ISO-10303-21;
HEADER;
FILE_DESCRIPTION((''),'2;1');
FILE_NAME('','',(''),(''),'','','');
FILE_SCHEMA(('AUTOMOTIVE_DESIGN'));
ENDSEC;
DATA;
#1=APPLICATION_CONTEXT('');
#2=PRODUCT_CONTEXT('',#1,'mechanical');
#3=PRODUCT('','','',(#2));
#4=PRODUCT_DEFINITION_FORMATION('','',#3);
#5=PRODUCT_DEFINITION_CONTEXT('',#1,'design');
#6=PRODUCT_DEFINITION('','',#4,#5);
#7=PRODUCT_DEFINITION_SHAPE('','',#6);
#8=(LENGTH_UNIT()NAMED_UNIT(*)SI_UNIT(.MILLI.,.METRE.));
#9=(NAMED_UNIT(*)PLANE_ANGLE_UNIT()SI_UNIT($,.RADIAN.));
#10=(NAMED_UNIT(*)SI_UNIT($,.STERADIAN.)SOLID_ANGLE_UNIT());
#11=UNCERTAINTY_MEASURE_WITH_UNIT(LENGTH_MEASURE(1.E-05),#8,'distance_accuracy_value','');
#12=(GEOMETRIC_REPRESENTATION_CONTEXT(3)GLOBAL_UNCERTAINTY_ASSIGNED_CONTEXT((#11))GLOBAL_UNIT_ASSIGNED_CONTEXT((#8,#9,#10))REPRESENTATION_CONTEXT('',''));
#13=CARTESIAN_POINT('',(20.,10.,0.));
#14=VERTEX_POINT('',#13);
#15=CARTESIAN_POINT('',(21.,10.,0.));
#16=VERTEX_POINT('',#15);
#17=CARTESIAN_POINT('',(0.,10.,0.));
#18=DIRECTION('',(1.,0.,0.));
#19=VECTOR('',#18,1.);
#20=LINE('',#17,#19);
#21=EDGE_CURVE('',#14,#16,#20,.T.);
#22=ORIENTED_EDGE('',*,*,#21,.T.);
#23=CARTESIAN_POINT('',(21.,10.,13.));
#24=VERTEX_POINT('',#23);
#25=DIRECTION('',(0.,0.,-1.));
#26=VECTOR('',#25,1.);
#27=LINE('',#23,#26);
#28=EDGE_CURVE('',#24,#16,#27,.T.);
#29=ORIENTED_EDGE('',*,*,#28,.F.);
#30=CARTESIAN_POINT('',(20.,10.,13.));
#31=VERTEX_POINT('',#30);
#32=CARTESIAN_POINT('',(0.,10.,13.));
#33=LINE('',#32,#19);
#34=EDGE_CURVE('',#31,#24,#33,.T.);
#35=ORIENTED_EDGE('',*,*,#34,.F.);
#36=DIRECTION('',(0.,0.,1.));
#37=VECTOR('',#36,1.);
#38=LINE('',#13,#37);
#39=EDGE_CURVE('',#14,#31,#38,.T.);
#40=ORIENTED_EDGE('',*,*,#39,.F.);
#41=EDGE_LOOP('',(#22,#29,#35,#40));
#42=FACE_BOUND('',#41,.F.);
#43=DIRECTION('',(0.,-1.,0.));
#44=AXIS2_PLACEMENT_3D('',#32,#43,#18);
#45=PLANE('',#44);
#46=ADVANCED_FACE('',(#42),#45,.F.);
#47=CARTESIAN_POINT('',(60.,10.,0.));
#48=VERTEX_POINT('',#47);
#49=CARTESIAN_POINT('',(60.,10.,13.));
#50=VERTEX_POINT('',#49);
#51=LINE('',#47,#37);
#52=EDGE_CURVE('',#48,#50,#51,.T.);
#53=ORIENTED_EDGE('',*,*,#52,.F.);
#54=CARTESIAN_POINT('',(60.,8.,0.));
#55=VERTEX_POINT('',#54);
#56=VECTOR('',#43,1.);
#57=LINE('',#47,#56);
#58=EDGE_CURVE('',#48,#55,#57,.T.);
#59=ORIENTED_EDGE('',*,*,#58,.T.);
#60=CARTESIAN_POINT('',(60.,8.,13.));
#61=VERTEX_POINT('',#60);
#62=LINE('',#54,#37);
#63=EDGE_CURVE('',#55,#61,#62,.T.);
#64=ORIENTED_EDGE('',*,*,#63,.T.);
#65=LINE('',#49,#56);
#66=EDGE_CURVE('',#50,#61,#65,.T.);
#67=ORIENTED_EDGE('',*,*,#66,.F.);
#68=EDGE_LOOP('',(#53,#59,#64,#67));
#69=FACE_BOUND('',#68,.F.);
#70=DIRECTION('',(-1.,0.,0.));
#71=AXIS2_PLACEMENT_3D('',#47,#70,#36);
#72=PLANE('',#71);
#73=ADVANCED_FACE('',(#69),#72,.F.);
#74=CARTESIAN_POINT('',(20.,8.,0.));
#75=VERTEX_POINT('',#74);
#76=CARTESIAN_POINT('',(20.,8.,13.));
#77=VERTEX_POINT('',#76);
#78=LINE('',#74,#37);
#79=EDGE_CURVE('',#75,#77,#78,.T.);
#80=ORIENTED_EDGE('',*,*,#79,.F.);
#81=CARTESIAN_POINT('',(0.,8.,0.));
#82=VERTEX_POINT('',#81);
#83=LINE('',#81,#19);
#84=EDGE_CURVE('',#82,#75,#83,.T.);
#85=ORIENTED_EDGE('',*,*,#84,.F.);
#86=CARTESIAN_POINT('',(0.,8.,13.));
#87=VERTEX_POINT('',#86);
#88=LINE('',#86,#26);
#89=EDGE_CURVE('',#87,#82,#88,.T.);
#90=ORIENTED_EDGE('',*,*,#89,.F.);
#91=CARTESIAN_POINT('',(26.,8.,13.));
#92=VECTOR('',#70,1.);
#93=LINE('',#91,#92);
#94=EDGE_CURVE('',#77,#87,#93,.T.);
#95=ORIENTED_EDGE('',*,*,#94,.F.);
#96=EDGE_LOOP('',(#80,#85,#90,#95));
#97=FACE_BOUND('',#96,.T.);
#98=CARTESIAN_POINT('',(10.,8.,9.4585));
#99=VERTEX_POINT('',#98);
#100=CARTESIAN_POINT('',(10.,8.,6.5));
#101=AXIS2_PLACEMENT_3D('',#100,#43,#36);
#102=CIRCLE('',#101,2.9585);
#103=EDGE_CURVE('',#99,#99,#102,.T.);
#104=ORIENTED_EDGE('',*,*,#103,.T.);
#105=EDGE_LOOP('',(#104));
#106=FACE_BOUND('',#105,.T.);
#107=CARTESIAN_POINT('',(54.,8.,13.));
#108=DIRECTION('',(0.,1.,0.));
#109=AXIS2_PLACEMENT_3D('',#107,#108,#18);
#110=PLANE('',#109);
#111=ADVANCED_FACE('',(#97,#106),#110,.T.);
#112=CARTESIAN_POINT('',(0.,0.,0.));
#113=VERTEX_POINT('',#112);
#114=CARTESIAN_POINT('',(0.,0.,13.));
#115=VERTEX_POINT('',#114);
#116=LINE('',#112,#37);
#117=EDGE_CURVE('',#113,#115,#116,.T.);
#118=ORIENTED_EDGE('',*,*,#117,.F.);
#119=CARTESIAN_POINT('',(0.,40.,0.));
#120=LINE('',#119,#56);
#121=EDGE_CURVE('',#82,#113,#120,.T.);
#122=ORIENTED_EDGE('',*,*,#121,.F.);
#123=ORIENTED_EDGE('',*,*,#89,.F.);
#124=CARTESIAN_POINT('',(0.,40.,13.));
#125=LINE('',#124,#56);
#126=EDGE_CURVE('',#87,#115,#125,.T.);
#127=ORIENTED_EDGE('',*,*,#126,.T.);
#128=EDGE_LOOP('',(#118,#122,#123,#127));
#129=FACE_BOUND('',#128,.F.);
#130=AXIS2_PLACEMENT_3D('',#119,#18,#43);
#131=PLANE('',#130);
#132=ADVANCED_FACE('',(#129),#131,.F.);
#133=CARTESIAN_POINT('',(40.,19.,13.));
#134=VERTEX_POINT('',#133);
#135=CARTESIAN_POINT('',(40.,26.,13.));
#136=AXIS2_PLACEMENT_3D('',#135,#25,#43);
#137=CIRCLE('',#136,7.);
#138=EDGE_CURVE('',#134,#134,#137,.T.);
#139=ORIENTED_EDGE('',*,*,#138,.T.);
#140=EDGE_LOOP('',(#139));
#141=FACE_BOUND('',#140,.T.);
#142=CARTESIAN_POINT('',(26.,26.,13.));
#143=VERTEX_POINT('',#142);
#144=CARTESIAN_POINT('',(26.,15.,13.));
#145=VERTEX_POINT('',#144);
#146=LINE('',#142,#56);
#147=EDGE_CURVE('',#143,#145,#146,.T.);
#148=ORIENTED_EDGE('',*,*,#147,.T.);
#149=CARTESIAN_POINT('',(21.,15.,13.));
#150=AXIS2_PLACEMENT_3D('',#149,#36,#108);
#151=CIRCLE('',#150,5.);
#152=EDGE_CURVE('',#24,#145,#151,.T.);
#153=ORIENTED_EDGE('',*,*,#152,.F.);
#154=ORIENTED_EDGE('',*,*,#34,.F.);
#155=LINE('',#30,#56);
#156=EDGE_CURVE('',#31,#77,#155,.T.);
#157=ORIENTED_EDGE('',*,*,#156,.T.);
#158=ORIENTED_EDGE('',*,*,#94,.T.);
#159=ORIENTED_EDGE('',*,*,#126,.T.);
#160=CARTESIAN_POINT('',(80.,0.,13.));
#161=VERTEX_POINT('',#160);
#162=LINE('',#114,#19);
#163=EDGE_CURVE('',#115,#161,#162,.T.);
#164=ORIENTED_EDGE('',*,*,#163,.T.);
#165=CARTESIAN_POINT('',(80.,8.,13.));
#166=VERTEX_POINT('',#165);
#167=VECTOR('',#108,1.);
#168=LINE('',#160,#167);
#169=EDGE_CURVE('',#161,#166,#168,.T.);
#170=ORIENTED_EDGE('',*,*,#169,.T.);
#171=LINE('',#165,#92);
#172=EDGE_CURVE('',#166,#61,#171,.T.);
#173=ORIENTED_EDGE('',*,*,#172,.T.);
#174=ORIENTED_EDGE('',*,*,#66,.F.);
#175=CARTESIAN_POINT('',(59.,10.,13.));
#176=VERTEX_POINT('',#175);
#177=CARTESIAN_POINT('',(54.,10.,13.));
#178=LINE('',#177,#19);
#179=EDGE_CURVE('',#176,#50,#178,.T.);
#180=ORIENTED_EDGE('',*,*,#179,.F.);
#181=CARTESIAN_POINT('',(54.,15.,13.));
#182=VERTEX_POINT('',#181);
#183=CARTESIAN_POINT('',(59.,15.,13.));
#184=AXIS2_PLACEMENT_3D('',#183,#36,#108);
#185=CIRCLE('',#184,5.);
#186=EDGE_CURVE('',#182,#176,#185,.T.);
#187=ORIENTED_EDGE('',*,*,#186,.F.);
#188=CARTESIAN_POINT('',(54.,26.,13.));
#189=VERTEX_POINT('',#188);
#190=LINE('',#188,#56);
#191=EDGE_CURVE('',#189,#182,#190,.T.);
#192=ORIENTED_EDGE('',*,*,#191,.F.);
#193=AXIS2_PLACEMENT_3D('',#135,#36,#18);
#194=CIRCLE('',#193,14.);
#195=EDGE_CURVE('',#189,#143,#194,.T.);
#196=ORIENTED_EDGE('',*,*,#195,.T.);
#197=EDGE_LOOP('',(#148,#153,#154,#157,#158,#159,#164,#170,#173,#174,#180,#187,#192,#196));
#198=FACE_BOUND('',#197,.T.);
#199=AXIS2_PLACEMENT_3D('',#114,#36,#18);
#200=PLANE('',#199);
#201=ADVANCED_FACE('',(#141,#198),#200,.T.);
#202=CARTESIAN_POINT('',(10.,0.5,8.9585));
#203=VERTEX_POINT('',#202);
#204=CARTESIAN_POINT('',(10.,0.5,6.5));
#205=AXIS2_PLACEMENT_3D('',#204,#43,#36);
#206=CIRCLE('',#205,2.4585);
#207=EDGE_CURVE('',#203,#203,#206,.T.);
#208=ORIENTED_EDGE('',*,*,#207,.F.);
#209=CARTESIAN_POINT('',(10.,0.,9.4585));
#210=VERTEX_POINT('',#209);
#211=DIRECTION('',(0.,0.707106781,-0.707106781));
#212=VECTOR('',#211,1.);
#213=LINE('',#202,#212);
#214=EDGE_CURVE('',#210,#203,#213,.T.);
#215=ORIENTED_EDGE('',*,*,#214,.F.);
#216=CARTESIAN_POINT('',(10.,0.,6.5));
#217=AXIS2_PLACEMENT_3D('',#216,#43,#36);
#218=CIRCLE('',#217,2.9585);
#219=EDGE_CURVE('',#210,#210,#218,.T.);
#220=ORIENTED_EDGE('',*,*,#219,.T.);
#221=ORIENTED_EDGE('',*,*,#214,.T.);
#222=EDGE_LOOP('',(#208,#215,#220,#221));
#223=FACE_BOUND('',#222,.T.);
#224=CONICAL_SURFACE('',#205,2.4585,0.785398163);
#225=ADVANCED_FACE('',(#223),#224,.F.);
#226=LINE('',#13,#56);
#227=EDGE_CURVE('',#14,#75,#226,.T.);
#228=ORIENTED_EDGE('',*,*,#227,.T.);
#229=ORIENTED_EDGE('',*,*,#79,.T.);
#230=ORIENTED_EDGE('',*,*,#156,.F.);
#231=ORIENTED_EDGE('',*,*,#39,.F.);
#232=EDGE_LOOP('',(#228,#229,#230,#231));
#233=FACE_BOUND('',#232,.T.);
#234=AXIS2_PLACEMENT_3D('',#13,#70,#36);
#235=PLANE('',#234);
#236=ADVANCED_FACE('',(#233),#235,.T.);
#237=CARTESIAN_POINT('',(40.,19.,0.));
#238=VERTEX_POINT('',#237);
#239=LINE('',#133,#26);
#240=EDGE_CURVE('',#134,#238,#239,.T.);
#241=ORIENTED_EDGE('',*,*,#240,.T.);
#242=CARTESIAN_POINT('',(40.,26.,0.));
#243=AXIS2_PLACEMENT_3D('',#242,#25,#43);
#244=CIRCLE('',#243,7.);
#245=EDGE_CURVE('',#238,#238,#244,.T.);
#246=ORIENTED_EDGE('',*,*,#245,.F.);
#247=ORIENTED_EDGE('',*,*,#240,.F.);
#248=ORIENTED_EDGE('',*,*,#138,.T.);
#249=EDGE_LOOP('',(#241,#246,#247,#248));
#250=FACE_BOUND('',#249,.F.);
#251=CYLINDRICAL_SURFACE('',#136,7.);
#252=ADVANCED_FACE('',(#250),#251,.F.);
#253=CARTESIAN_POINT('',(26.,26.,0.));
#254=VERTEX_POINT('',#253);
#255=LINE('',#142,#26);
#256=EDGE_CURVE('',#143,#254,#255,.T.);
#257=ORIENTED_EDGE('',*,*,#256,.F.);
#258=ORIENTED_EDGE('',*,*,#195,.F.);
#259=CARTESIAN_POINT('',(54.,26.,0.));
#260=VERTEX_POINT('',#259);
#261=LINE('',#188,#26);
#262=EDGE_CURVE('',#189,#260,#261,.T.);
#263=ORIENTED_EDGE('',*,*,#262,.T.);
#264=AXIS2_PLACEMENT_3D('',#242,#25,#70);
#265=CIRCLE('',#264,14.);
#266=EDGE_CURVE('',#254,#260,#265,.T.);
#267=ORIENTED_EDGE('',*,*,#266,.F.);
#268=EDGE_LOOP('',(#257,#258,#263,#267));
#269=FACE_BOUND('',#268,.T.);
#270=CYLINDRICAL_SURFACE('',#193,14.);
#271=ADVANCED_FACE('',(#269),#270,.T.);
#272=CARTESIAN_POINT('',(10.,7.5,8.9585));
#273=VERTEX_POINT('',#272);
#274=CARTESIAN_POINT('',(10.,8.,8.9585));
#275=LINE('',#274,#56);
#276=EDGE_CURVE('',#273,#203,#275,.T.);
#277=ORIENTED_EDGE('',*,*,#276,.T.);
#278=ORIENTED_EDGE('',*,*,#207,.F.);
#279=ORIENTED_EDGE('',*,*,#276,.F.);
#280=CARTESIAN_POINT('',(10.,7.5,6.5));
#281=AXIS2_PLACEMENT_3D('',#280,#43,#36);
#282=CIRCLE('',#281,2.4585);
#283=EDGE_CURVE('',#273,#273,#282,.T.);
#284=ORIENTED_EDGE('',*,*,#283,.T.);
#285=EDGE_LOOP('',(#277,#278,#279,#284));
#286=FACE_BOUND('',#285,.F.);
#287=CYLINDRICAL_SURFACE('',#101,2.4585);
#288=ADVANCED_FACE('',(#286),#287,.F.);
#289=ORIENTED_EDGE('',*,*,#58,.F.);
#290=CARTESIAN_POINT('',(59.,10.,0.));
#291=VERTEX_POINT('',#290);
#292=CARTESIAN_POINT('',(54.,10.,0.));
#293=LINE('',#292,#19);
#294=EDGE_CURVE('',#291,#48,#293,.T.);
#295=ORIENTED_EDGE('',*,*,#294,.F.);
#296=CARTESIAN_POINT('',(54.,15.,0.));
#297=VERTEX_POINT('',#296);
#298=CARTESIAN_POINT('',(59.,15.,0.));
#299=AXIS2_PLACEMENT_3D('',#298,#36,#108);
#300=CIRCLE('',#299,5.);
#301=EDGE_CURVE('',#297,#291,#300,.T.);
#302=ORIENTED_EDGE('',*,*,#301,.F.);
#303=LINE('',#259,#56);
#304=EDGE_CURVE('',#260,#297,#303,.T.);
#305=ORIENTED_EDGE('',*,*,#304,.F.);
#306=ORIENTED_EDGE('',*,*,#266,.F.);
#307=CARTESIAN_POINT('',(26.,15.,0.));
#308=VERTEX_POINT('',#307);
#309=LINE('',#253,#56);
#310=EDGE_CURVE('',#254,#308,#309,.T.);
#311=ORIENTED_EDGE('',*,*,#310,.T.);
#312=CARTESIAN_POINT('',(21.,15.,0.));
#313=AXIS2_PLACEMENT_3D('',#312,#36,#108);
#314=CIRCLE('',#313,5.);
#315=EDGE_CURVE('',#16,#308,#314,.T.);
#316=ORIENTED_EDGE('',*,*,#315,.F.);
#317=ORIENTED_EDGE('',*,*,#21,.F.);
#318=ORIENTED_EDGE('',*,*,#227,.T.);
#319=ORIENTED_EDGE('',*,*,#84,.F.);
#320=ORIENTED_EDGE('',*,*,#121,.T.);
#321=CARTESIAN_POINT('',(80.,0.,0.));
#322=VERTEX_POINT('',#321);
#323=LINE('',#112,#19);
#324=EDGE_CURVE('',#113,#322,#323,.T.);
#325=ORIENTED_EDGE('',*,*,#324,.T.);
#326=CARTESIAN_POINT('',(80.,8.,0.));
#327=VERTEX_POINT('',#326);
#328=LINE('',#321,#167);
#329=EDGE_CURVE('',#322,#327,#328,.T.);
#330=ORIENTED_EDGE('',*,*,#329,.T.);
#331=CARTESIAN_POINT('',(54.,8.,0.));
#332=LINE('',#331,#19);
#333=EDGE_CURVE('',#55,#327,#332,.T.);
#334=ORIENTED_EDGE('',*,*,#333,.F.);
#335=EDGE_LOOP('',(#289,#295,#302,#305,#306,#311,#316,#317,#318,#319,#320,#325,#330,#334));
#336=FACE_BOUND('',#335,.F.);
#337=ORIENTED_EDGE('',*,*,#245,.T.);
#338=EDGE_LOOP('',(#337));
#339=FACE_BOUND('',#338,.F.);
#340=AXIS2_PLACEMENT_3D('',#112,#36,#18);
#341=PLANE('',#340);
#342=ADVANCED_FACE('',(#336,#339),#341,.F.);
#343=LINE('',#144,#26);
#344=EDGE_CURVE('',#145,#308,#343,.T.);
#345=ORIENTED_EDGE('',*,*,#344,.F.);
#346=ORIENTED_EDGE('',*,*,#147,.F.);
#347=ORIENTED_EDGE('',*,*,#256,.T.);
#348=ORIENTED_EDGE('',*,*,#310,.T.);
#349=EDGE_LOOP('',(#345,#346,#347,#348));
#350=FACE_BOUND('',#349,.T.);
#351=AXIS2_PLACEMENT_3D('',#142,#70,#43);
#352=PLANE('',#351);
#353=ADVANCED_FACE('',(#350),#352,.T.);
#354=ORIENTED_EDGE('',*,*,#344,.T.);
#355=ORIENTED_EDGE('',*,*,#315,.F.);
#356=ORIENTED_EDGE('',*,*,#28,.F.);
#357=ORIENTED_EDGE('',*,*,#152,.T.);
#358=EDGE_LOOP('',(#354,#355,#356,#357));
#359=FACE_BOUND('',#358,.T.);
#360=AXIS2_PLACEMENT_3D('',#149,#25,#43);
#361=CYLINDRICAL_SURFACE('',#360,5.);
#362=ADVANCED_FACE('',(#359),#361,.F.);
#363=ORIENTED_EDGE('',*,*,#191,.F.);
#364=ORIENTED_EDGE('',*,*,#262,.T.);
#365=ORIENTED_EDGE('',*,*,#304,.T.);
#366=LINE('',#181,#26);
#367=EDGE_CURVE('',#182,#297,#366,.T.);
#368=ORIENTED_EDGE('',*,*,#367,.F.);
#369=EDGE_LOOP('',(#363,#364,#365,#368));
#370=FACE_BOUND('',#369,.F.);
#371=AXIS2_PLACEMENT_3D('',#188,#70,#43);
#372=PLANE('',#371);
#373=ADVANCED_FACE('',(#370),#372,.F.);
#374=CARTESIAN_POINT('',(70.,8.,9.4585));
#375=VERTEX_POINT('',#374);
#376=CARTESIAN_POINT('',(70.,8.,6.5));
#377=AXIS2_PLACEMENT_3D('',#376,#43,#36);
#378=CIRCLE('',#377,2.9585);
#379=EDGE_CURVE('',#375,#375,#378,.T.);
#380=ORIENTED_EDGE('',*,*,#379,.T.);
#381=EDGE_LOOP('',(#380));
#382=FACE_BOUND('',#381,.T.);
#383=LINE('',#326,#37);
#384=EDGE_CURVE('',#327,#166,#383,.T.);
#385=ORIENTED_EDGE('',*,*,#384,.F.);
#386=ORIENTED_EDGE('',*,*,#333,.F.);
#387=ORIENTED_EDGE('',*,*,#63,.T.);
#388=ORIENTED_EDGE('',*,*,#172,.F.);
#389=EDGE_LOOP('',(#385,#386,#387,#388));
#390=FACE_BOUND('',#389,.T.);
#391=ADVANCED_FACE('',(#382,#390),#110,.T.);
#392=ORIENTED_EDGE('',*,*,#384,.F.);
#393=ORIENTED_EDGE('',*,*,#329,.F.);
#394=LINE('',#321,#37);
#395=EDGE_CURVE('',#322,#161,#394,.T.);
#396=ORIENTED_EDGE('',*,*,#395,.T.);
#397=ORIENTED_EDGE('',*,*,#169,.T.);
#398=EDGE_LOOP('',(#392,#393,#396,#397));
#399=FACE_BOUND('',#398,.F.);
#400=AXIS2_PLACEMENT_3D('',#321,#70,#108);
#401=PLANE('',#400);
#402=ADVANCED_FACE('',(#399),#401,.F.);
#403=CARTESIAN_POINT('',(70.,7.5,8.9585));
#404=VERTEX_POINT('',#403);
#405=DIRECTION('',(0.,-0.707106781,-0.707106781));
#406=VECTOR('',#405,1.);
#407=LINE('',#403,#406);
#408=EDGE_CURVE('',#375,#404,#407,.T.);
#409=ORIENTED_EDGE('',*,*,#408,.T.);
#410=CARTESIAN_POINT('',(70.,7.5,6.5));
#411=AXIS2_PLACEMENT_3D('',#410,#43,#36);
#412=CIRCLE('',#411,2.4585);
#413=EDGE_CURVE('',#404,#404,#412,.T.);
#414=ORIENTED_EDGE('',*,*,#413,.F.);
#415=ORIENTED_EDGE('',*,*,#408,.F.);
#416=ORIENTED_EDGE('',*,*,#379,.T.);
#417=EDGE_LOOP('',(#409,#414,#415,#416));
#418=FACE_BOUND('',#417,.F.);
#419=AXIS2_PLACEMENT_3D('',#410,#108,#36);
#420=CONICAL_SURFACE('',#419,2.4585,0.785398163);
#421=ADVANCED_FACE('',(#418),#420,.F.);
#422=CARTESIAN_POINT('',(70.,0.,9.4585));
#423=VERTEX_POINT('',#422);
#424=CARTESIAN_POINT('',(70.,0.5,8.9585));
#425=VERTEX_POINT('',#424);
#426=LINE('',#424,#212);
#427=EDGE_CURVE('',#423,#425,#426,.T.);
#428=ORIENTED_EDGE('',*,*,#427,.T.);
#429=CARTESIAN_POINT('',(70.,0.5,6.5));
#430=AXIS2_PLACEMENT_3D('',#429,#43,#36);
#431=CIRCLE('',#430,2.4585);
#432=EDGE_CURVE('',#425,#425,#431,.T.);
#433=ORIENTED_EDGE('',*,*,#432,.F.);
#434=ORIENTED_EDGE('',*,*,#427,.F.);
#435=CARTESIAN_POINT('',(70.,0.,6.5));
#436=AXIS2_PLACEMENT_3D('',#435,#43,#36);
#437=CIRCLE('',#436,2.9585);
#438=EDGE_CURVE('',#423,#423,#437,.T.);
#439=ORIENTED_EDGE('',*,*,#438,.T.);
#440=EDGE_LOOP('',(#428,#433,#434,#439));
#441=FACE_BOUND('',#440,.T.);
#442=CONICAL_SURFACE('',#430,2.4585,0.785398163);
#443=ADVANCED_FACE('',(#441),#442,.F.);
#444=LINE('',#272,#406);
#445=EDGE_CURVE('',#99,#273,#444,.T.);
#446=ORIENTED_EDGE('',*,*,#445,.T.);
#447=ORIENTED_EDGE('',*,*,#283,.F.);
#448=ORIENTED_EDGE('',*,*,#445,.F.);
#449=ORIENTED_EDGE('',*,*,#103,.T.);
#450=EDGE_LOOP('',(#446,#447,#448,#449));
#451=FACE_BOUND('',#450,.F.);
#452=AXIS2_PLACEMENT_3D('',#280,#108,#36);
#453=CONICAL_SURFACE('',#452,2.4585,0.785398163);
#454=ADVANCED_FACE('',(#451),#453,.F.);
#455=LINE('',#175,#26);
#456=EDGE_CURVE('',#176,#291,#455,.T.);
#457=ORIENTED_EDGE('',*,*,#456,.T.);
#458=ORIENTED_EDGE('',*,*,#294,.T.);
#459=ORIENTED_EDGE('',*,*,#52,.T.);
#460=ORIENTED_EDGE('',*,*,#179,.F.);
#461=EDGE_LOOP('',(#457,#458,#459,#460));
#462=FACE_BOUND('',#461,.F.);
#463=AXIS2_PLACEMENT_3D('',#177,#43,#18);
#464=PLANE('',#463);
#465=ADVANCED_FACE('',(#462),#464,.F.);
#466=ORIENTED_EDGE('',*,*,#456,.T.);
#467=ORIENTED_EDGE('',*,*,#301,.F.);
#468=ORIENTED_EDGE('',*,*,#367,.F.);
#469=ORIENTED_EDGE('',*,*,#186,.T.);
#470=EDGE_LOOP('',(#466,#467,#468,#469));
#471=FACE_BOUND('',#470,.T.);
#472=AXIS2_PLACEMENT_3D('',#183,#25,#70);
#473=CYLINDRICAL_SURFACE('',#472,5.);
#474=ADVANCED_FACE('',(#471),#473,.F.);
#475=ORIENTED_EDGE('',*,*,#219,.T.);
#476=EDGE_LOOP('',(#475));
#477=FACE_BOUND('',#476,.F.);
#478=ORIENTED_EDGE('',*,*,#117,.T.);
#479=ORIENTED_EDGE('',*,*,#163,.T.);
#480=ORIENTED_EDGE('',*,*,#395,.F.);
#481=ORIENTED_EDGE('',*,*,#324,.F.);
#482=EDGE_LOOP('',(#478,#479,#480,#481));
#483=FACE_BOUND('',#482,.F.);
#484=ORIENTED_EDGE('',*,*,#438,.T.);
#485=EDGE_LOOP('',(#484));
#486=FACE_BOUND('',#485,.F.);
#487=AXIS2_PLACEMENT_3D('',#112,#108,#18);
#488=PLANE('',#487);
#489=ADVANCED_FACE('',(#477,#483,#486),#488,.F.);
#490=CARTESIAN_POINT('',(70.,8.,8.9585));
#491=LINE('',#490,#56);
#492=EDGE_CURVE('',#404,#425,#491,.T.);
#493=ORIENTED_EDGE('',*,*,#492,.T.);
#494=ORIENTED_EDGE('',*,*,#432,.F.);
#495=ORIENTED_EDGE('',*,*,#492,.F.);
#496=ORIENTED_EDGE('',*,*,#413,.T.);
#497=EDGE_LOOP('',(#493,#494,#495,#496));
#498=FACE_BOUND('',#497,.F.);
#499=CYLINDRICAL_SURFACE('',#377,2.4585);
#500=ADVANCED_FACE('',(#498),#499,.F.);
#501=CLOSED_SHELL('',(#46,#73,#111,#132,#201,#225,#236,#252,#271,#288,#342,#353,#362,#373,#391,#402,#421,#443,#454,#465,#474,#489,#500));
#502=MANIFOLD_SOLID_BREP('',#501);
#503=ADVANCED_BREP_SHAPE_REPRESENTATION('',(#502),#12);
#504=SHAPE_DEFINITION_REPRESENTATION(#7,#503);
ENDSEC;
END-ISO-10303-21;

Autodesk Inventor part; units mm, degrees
ref_plane "YZ Plane" through (0, 0, 0) normal (1, 0, 0) x (0, 1, 0)
ref_plane "XZ Plane" through (0, 0, 0) normal (0, 1, 0) x (-1, 0, 0)
ref_plane "XY Plane" through (0, 0, 0) normal (0, 0, 1) x (1, 0, 0)
sketch "Sketch1" plane through (0, 0, 0) normal (0, 0, 1) x (1, 0, 0)
  line L0 (0, 0) -> (80, 0)
  line L1 (80, 0) -> (80, 40)
  line L2 (80, 40) -> (0, 40)
  line L3 (0, 40) -> (0, 0)
  dimension "d0" = 80
  dimension "d1" = 40
extrude "Extrusion1" add sketch "Sketch1" along normal blind 13
sketch "Sketch2" plane through (0, 0, 13) normal (0, 0, 1) x (1, 0, 0)
  line L0 (80, 0) -> (0, 0) projected
  line L1 (80, 40) -> (80, 0) projected
  point P0 (40, 26)
  dimension "d4" = 26
  dimension "d5" = 40
hole "Hole1" at (40, 26, 13) direction (0, 0, -1) diameter 14 depth 13 tip angle 118
sketch "Sketch3" plane through (0, 0, 13) normal (0, 0, 1) x (1, 0, 0)
  circle A0 centre (40, 26) radius 7 projected
  line L0 (0, 0) -> (0, 40) projected
  line L1 (80, 0) -> (0, 0) projected
  line L2 (80, 40) -> (80, 0) projected
  line L3 (0, 40) -> (80, 40) projected
  arc A1 (54, 26) -> (26, 26) centre (40, 26) ccw
  line L4 (54, 26) -> (54, 10)
  line L5 (26, 26) -> (26, 10)
  line L6 (0, 10) -> (26, 10)
  line L7 (54, 10) -> (80, 10)
  dimension "d14" = 10
  dimension "d15" = 10
  dimension "d16" = 26
extrude "Extrusion2" cut sketch "Sketch3" against normal blind 13 contours L0 L3 A1 L5 L6 | L7 L4 A1 L3 L2
sketch "Sketch6" plane through (54, 10, 13) normal (0, 1, 0) x (1, 0, 0)
  line L0 (0, 13) -> (26, 13) projected
  line L1 (0, 0) -> (0, 13) projected
  line L2 (26, 0) -> (0, 0) projected
  line L3 (26, 13) -> (26, 0) projected
  line L4 (-54, 13) -> (-28, 13) projected
  line L5 (-54, 0) -> (-54, 13) projected
  line L6 (-28, 0) -> (-54, 0) projected
  line L7 (-28, 0) -> (-28, 13) projected
  line L8 (-34, 13) -> (-34, 0)
  line L9 (6, 13) -> (6, 0)
  point P0 (-54, 13)
  dimension "d36" = 40
  dimension "d37" = 6
extrude "Extrusion4" cut sketch "Sketch6" against normal blind 2 contours L0 L3 L2 L9 | L4 L8 L6 L5
sketch "Sketch7" plane through (54, 8, 13) normal (0, 1, 0) x (1, 0, 0)
  line L0 (-54, 13) -> (-34, 13) projected
  line L1 (-54, 0) -> (-54, 13) projected
  line L2 (6, 13) -> (6, 0) projected
  line L3 (26, 0) -> (6, 0) projected
  line L4 (26, 13) -> (26, 0) projected
  line L5 (6, 13) -> (26, 13) projected
  point P0 (-44, 6.5)
  point P1 (16, 6.5)
  dimension "d40" = 60
  dimension "d41" = 6.5
  dimension "d42" = 10
hole "Hole3" at (10, 8, 6.5) at (70, 8, 6.5) direction (0, -1, 0) diameter 4.917 depth 8 tip angle 118 thread size "M6x1" class "6H" standard "ANSI Metric M Profile"
chamfer "Chamfer1" distance 0.5 angle 45 4 edges at (10, 8, 4.0415) (70, 8, 4.0415) (10, 0, 4.0415) (70, 0, 4.0415)
fillet "Fillet2" radius 5 2 edges at (26, 10, 6.5) (54, 10, 6.5)
properties part number "MANCAL DA BETONEIRA(26)" material "Carbon Steel"
